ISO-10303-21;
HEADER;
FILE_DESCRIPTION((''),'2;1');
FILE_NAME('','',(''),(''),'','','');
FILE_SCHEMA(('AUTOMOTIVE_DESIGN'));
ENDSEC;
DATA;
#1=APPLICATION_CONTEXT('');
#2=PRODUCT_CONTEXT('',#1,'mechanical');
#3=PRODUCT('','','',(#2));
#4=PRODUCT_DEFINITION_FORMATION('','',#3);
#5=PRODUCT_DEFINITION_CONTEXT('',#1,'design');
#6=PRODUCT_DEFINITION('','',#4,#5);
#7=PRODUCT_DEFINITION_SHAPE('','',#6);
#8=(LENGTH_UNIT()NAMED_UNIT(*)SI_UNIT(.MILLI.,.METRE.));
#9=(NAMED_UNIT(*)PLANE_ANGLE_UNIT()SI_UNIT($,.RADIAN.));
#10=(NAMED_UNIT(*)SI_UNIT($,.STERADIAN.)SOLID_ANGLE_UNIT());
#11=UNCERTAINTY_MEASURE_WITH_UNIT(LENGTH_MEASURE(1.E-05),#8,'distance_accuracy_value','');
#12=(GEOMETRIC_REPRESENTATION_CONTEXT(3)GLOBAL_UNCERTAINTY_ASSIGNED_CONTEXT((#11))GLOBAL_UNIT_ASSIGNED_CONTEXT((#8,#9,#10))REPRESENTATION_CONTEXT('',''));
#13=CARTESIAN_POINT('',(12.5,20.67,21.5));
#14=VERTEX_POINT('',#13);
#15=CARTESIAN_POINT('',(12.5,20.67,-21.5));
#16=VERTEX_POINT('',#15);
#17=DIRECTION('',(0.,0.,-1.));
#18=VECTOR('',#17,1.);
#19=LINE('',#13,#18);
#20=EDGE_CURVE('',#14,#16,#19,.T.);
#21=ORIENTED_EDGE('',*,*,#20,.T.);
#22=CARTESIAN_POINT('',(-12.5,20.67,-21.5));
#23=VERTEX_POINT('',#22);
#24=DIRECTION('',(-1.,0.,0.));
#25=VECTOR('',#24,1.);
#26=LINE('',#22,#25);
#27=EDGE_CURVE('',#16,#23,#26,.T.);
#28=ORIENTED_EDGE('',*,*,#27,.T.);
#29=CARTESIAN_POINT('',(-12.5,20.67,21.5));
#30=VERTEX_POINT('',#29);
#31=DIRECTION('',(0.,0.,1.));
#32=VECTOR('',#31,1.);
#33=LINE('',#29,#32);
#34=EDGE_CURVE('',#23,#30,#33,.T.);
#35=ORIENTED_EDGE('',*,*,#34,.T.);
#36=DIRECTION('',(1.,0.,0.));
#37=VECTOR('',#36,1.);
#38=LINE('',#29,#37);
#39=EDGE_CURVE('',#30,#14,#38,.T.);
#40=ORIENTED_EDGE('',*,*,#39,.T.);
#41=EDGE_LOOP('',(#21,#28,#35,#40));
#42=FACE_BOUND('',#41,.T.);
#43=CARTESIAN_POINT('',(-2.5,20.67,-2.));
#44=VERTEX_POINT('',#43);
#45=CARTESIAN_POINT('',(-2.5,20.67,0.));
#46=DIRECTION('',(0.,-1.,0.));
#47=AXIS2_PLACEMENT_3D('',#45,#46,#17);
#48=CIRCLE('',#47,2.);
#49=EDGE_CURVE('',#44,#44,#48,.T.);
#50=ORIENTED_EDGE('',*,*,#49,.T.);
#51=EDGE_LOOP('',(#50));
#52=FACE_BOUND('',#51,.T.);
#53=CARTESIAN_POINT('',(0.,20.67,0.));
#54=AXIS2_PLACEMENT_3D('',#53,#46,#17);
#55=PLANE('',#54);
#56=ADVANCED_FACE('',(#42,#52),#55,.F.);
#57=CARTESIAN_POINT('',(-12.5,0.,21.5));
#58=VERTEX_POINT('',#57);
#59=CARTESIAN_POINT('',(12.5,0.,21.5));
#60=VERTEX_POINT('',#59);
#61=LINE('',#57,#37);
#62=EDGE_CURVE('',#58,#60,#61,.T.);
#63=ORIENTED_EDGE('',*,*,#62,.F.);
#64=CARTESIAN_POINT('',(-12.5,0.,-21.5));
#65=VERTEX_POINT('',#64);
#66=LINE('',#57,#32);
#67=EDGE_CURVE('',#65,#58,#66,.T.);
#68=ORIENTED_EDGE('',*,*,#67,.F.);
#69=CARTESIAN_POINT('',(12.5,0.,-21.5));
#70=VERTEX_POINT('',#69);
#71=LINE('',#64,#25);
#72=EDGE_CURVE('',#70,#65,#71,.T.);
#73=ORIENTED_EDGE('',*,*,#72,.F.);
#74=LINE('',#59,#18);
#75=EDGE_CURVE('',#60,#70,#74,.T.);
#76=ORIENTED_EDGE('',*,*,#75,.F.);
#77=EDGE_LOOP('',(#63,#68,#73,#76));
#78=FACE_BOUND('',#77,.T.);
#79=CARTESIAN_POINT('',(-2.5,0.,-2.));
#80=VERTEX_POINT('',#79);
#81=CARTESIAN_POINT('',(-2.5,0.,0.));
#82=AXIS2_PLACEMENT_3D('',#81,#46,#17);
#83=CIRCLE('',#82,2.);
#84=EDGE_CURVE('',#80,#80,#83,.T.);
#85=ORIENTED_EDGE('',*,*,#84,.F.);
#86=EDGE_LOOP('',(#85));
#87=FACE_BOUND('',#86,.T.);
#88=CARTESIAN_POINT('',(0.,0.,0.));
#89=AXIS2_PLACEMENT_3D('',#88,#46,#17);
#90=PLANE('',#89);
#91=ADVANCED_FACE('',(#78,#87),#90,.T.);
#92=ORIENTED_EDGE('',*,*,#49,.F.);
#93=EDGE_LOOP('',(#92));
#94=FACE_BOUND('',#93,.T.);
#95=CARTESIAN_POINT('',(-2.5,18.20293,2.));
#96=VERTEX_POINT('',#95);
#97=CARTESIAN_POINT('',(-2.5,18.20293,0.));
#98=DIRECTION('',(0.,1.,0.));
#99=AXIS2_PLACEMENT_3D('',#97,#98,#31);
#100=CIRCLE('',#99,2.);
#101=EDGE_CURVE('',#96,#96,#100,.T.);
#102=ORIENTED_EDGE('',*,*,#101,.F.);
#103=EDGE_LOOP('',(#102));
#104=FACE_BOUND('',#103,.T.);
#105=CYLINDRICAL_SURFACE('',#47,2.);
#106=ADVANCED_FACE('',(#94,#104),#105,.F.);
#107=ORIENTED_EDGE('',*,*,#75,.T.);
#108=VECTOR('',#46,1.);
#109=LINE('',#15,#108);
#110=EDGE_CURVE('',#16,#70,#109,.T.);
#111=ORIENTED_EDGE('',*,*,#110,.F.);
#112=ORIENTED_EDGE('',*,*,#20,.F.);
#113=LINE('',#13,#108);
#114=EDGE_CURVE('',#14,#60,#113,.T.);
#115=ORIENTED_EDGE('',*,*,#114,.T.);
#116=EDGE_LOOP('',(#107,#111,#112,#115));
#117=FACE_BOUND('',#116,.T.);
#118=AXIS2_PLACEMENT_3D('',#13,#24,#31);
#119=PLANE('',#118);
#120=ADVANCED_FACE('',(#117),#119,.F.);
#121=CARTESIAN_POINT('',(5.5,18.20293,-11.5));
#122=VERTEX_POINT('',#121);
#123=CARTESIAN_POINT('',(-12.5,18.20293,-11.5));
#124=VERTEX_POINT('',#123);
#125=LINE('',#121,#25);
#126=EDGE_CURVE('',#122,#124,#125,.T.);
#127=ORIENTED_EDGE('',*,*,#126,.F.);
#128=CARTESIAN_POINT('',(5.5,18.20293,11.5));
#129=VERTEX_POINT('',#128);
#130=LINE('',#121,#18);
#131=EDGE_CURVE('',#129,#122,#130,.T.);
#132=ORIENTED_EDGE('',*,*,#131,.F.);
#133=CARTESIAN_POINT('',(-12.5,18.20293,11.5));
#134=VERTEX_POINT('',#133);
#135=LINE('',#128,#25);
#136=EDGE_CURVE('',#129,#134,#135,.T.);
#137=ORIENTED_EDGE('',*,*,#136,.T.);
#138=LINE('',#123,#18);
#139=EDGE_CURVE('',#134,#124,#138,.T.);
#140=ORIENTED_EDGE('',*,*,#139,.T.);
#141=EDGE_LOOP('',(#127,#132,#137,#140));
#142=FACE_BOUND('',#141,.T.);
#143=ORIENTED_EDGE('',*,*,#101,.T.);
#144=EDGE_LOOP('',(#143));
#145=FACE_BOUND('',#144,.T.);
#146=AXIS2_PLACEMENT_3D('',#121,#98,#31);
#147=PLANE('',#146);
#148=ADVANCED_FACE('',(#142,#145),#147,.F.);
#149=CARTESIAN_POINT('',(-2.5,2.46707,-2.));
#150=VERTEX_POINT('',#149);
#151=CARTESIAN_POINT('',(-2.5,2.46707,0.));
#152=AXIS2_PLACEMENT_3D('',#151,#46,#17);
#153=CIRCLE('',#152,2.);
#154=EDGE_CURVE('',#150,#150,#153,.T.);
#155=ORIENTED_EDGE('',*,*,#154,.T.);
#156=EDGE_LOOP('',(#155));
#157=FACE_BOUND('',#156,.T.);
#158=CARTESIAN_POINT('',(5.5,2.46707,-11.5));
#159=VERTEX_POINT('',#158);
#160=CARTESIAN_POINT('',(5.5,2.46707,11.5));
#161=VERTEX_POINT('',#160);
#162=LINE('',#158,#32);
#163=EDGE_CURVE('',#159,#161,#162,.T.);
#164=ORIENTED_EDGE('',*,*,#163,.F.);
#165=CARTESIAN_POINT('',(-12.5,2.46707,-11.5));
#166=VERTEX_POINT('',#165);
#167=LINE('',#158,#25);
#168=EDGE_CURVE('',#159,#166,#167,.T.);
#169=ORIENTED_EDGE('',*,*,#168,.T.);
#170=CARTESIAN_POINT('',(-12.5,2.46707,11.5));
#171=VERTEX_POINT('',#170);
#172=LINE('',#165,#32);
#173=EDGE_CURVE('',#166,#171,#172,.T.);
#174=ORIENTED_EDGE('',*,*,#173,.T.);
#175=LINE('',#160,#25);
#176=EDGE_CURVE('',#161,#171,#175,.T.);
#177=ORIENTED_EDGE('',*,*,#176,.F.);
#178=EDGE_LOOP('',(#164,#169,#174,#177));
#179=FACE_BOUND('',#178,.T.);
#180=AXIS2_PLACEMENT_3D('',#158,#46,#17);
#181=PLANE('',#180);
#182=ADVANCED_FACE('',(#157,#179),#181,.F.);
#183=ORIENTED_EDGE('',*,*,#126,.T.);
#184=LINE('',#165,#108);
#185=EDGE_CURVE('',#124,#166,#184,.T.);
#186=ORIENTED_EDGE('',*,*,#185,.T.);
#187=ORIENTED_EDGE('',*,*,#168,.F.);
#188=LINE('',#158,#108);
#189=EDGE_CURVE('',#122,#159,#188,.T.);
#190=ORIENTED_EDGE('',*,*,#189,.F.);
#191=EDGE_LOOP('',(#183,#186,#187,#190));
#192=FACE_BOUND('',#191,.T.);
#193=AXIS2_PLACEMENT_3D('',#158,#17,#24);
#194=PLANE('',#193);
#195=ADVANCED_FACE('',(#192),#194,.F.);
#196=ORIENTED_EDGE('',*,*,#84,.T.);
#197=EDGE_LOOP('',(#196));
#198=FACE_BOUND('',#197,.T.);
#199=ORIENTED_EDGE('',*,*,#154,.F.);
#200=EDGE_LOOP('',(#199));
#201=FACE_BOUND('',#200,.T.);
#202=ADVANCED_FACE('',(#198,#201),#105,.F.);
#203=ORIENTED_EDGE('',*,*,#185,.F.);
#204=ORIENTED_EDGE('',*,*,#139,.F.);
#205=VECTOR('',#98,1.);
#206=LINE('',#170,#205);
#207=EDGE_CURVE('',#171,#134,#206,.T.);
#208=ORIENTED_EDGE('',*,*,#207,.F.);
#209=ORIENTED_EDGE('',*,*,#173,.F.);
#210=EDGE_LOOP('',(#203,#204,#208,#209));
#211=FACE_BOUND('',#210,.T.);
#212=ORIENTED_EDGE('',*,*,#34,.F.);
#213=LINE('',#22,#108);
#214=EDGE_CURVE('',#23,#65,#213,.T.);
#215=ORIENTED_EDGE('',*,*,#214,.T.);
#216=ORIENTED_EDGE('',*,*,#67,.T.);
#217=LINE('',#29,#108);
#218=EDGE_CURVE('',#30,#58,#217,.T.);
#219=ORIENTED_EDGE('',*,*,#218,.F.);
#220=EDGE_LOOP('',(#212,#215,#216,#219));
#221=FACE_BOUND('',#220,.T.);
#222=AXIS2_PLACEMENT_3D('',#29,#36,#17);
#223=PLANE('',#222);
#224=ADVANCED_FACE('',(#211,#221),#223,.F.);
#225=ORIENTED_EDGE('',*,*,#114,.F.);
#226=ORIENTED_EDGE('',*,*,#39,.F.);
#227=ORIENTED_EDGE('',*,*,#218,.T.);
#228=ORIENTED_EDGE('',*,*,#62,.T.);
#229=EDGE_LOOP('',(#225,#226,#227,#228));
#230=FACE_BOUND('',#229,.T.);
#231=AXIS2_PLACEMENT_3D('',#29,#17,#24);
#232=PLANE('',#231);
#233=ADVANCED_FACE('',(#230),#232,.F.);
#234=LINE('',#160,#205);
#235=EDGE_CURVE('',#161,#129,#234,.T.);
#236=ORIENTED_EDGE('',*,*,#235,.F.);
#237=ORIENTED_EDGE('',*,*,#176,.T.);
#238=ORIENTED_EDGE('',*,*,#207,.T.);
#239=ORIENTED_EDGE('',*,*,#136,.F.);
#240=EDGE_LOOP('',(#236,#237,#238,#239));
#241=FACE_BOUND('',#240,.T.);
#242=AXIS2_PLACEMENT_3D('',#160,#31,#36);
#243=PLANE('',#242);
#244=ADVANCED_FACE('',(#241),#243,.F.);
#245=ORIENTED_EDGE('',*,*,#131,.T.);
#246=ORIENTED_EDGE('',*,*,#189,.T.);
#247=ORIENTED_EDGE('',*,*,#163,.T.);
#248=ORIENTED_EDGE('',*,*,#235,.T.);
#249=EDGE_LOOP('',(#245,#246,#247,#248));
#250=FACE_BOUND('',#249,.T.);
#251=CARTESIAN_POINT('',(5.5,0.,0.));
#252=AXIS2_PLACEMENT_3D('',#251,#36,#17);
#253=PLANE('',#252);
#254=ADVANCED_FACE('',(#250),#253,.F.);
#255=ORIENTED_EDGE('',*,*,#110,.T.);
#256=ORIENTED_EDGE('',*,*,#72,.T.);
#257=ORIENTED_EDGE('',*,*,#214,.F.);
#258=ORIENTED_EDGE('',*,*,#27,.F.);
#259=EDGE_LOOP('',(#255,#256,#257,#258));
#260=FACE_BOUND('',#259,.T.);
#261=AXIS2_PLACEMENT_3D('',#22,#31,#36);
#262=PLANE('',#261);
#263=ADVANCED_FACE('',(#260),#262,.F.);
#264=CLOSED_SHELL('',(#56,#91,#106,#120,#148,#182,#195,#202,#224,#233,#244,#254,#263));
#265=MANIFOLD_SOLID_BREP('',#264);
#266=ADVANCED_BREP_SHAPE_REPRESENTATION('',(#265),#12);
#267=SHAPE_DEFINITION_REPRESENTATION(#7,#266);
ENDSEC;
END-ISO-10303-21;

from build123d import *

# Parameters (mm, degrees)
SKETCH1_W           = 25
SKETCH1_H           = 43
BOSS_EXTRUDE1_DEPTH = 20.67
SKETCH2_W           = 23
SKETCH2_H           = 15.735859414
CUT_EXTRUDE1_DEPTH  = 18
SKETCH3_R           = 2
CUT_EXTRUDE2_DEPTH  = 33.338041066


with BuildPart() as part:
    # Sketch1 → Boss-Extrude1 (new body)
    with BuildSketch(Plane(origin=(0, 0, 0), x_dir=(1, 0, 0), z_dir=(0, 1, 0))):
        Rectangle(SKETCH1_W, SKETCH1_H)
    extrude(amount=BOSS_EXTRUDE1_DEPTH)

    # Sketch2 → Cut-Extrude1 (cut)
    with BuildSketch(Plane.ZY.offset(12.5)):
        with Locations((0, 10.335)):
            Rectangle(SKETCH2_W, SKETCH2_H)
    extrude(amount=-CUT_EXTRUDE1_DEPTH, mode=Mode.SUBTRACT)

    # Sketch3 → Cut-Extrude2 (cut, through all)
    with BuildSketch(Plane.XZ):
        with Locations(Location((-2.5, 0, 0), (0, 0, 270))):
            Circle(SKETCH3_R)
    extrude(amount=-CUT_EXTRUDE2_DEPTH, mode=Mode.SUBTRACT)


solid = part.part
